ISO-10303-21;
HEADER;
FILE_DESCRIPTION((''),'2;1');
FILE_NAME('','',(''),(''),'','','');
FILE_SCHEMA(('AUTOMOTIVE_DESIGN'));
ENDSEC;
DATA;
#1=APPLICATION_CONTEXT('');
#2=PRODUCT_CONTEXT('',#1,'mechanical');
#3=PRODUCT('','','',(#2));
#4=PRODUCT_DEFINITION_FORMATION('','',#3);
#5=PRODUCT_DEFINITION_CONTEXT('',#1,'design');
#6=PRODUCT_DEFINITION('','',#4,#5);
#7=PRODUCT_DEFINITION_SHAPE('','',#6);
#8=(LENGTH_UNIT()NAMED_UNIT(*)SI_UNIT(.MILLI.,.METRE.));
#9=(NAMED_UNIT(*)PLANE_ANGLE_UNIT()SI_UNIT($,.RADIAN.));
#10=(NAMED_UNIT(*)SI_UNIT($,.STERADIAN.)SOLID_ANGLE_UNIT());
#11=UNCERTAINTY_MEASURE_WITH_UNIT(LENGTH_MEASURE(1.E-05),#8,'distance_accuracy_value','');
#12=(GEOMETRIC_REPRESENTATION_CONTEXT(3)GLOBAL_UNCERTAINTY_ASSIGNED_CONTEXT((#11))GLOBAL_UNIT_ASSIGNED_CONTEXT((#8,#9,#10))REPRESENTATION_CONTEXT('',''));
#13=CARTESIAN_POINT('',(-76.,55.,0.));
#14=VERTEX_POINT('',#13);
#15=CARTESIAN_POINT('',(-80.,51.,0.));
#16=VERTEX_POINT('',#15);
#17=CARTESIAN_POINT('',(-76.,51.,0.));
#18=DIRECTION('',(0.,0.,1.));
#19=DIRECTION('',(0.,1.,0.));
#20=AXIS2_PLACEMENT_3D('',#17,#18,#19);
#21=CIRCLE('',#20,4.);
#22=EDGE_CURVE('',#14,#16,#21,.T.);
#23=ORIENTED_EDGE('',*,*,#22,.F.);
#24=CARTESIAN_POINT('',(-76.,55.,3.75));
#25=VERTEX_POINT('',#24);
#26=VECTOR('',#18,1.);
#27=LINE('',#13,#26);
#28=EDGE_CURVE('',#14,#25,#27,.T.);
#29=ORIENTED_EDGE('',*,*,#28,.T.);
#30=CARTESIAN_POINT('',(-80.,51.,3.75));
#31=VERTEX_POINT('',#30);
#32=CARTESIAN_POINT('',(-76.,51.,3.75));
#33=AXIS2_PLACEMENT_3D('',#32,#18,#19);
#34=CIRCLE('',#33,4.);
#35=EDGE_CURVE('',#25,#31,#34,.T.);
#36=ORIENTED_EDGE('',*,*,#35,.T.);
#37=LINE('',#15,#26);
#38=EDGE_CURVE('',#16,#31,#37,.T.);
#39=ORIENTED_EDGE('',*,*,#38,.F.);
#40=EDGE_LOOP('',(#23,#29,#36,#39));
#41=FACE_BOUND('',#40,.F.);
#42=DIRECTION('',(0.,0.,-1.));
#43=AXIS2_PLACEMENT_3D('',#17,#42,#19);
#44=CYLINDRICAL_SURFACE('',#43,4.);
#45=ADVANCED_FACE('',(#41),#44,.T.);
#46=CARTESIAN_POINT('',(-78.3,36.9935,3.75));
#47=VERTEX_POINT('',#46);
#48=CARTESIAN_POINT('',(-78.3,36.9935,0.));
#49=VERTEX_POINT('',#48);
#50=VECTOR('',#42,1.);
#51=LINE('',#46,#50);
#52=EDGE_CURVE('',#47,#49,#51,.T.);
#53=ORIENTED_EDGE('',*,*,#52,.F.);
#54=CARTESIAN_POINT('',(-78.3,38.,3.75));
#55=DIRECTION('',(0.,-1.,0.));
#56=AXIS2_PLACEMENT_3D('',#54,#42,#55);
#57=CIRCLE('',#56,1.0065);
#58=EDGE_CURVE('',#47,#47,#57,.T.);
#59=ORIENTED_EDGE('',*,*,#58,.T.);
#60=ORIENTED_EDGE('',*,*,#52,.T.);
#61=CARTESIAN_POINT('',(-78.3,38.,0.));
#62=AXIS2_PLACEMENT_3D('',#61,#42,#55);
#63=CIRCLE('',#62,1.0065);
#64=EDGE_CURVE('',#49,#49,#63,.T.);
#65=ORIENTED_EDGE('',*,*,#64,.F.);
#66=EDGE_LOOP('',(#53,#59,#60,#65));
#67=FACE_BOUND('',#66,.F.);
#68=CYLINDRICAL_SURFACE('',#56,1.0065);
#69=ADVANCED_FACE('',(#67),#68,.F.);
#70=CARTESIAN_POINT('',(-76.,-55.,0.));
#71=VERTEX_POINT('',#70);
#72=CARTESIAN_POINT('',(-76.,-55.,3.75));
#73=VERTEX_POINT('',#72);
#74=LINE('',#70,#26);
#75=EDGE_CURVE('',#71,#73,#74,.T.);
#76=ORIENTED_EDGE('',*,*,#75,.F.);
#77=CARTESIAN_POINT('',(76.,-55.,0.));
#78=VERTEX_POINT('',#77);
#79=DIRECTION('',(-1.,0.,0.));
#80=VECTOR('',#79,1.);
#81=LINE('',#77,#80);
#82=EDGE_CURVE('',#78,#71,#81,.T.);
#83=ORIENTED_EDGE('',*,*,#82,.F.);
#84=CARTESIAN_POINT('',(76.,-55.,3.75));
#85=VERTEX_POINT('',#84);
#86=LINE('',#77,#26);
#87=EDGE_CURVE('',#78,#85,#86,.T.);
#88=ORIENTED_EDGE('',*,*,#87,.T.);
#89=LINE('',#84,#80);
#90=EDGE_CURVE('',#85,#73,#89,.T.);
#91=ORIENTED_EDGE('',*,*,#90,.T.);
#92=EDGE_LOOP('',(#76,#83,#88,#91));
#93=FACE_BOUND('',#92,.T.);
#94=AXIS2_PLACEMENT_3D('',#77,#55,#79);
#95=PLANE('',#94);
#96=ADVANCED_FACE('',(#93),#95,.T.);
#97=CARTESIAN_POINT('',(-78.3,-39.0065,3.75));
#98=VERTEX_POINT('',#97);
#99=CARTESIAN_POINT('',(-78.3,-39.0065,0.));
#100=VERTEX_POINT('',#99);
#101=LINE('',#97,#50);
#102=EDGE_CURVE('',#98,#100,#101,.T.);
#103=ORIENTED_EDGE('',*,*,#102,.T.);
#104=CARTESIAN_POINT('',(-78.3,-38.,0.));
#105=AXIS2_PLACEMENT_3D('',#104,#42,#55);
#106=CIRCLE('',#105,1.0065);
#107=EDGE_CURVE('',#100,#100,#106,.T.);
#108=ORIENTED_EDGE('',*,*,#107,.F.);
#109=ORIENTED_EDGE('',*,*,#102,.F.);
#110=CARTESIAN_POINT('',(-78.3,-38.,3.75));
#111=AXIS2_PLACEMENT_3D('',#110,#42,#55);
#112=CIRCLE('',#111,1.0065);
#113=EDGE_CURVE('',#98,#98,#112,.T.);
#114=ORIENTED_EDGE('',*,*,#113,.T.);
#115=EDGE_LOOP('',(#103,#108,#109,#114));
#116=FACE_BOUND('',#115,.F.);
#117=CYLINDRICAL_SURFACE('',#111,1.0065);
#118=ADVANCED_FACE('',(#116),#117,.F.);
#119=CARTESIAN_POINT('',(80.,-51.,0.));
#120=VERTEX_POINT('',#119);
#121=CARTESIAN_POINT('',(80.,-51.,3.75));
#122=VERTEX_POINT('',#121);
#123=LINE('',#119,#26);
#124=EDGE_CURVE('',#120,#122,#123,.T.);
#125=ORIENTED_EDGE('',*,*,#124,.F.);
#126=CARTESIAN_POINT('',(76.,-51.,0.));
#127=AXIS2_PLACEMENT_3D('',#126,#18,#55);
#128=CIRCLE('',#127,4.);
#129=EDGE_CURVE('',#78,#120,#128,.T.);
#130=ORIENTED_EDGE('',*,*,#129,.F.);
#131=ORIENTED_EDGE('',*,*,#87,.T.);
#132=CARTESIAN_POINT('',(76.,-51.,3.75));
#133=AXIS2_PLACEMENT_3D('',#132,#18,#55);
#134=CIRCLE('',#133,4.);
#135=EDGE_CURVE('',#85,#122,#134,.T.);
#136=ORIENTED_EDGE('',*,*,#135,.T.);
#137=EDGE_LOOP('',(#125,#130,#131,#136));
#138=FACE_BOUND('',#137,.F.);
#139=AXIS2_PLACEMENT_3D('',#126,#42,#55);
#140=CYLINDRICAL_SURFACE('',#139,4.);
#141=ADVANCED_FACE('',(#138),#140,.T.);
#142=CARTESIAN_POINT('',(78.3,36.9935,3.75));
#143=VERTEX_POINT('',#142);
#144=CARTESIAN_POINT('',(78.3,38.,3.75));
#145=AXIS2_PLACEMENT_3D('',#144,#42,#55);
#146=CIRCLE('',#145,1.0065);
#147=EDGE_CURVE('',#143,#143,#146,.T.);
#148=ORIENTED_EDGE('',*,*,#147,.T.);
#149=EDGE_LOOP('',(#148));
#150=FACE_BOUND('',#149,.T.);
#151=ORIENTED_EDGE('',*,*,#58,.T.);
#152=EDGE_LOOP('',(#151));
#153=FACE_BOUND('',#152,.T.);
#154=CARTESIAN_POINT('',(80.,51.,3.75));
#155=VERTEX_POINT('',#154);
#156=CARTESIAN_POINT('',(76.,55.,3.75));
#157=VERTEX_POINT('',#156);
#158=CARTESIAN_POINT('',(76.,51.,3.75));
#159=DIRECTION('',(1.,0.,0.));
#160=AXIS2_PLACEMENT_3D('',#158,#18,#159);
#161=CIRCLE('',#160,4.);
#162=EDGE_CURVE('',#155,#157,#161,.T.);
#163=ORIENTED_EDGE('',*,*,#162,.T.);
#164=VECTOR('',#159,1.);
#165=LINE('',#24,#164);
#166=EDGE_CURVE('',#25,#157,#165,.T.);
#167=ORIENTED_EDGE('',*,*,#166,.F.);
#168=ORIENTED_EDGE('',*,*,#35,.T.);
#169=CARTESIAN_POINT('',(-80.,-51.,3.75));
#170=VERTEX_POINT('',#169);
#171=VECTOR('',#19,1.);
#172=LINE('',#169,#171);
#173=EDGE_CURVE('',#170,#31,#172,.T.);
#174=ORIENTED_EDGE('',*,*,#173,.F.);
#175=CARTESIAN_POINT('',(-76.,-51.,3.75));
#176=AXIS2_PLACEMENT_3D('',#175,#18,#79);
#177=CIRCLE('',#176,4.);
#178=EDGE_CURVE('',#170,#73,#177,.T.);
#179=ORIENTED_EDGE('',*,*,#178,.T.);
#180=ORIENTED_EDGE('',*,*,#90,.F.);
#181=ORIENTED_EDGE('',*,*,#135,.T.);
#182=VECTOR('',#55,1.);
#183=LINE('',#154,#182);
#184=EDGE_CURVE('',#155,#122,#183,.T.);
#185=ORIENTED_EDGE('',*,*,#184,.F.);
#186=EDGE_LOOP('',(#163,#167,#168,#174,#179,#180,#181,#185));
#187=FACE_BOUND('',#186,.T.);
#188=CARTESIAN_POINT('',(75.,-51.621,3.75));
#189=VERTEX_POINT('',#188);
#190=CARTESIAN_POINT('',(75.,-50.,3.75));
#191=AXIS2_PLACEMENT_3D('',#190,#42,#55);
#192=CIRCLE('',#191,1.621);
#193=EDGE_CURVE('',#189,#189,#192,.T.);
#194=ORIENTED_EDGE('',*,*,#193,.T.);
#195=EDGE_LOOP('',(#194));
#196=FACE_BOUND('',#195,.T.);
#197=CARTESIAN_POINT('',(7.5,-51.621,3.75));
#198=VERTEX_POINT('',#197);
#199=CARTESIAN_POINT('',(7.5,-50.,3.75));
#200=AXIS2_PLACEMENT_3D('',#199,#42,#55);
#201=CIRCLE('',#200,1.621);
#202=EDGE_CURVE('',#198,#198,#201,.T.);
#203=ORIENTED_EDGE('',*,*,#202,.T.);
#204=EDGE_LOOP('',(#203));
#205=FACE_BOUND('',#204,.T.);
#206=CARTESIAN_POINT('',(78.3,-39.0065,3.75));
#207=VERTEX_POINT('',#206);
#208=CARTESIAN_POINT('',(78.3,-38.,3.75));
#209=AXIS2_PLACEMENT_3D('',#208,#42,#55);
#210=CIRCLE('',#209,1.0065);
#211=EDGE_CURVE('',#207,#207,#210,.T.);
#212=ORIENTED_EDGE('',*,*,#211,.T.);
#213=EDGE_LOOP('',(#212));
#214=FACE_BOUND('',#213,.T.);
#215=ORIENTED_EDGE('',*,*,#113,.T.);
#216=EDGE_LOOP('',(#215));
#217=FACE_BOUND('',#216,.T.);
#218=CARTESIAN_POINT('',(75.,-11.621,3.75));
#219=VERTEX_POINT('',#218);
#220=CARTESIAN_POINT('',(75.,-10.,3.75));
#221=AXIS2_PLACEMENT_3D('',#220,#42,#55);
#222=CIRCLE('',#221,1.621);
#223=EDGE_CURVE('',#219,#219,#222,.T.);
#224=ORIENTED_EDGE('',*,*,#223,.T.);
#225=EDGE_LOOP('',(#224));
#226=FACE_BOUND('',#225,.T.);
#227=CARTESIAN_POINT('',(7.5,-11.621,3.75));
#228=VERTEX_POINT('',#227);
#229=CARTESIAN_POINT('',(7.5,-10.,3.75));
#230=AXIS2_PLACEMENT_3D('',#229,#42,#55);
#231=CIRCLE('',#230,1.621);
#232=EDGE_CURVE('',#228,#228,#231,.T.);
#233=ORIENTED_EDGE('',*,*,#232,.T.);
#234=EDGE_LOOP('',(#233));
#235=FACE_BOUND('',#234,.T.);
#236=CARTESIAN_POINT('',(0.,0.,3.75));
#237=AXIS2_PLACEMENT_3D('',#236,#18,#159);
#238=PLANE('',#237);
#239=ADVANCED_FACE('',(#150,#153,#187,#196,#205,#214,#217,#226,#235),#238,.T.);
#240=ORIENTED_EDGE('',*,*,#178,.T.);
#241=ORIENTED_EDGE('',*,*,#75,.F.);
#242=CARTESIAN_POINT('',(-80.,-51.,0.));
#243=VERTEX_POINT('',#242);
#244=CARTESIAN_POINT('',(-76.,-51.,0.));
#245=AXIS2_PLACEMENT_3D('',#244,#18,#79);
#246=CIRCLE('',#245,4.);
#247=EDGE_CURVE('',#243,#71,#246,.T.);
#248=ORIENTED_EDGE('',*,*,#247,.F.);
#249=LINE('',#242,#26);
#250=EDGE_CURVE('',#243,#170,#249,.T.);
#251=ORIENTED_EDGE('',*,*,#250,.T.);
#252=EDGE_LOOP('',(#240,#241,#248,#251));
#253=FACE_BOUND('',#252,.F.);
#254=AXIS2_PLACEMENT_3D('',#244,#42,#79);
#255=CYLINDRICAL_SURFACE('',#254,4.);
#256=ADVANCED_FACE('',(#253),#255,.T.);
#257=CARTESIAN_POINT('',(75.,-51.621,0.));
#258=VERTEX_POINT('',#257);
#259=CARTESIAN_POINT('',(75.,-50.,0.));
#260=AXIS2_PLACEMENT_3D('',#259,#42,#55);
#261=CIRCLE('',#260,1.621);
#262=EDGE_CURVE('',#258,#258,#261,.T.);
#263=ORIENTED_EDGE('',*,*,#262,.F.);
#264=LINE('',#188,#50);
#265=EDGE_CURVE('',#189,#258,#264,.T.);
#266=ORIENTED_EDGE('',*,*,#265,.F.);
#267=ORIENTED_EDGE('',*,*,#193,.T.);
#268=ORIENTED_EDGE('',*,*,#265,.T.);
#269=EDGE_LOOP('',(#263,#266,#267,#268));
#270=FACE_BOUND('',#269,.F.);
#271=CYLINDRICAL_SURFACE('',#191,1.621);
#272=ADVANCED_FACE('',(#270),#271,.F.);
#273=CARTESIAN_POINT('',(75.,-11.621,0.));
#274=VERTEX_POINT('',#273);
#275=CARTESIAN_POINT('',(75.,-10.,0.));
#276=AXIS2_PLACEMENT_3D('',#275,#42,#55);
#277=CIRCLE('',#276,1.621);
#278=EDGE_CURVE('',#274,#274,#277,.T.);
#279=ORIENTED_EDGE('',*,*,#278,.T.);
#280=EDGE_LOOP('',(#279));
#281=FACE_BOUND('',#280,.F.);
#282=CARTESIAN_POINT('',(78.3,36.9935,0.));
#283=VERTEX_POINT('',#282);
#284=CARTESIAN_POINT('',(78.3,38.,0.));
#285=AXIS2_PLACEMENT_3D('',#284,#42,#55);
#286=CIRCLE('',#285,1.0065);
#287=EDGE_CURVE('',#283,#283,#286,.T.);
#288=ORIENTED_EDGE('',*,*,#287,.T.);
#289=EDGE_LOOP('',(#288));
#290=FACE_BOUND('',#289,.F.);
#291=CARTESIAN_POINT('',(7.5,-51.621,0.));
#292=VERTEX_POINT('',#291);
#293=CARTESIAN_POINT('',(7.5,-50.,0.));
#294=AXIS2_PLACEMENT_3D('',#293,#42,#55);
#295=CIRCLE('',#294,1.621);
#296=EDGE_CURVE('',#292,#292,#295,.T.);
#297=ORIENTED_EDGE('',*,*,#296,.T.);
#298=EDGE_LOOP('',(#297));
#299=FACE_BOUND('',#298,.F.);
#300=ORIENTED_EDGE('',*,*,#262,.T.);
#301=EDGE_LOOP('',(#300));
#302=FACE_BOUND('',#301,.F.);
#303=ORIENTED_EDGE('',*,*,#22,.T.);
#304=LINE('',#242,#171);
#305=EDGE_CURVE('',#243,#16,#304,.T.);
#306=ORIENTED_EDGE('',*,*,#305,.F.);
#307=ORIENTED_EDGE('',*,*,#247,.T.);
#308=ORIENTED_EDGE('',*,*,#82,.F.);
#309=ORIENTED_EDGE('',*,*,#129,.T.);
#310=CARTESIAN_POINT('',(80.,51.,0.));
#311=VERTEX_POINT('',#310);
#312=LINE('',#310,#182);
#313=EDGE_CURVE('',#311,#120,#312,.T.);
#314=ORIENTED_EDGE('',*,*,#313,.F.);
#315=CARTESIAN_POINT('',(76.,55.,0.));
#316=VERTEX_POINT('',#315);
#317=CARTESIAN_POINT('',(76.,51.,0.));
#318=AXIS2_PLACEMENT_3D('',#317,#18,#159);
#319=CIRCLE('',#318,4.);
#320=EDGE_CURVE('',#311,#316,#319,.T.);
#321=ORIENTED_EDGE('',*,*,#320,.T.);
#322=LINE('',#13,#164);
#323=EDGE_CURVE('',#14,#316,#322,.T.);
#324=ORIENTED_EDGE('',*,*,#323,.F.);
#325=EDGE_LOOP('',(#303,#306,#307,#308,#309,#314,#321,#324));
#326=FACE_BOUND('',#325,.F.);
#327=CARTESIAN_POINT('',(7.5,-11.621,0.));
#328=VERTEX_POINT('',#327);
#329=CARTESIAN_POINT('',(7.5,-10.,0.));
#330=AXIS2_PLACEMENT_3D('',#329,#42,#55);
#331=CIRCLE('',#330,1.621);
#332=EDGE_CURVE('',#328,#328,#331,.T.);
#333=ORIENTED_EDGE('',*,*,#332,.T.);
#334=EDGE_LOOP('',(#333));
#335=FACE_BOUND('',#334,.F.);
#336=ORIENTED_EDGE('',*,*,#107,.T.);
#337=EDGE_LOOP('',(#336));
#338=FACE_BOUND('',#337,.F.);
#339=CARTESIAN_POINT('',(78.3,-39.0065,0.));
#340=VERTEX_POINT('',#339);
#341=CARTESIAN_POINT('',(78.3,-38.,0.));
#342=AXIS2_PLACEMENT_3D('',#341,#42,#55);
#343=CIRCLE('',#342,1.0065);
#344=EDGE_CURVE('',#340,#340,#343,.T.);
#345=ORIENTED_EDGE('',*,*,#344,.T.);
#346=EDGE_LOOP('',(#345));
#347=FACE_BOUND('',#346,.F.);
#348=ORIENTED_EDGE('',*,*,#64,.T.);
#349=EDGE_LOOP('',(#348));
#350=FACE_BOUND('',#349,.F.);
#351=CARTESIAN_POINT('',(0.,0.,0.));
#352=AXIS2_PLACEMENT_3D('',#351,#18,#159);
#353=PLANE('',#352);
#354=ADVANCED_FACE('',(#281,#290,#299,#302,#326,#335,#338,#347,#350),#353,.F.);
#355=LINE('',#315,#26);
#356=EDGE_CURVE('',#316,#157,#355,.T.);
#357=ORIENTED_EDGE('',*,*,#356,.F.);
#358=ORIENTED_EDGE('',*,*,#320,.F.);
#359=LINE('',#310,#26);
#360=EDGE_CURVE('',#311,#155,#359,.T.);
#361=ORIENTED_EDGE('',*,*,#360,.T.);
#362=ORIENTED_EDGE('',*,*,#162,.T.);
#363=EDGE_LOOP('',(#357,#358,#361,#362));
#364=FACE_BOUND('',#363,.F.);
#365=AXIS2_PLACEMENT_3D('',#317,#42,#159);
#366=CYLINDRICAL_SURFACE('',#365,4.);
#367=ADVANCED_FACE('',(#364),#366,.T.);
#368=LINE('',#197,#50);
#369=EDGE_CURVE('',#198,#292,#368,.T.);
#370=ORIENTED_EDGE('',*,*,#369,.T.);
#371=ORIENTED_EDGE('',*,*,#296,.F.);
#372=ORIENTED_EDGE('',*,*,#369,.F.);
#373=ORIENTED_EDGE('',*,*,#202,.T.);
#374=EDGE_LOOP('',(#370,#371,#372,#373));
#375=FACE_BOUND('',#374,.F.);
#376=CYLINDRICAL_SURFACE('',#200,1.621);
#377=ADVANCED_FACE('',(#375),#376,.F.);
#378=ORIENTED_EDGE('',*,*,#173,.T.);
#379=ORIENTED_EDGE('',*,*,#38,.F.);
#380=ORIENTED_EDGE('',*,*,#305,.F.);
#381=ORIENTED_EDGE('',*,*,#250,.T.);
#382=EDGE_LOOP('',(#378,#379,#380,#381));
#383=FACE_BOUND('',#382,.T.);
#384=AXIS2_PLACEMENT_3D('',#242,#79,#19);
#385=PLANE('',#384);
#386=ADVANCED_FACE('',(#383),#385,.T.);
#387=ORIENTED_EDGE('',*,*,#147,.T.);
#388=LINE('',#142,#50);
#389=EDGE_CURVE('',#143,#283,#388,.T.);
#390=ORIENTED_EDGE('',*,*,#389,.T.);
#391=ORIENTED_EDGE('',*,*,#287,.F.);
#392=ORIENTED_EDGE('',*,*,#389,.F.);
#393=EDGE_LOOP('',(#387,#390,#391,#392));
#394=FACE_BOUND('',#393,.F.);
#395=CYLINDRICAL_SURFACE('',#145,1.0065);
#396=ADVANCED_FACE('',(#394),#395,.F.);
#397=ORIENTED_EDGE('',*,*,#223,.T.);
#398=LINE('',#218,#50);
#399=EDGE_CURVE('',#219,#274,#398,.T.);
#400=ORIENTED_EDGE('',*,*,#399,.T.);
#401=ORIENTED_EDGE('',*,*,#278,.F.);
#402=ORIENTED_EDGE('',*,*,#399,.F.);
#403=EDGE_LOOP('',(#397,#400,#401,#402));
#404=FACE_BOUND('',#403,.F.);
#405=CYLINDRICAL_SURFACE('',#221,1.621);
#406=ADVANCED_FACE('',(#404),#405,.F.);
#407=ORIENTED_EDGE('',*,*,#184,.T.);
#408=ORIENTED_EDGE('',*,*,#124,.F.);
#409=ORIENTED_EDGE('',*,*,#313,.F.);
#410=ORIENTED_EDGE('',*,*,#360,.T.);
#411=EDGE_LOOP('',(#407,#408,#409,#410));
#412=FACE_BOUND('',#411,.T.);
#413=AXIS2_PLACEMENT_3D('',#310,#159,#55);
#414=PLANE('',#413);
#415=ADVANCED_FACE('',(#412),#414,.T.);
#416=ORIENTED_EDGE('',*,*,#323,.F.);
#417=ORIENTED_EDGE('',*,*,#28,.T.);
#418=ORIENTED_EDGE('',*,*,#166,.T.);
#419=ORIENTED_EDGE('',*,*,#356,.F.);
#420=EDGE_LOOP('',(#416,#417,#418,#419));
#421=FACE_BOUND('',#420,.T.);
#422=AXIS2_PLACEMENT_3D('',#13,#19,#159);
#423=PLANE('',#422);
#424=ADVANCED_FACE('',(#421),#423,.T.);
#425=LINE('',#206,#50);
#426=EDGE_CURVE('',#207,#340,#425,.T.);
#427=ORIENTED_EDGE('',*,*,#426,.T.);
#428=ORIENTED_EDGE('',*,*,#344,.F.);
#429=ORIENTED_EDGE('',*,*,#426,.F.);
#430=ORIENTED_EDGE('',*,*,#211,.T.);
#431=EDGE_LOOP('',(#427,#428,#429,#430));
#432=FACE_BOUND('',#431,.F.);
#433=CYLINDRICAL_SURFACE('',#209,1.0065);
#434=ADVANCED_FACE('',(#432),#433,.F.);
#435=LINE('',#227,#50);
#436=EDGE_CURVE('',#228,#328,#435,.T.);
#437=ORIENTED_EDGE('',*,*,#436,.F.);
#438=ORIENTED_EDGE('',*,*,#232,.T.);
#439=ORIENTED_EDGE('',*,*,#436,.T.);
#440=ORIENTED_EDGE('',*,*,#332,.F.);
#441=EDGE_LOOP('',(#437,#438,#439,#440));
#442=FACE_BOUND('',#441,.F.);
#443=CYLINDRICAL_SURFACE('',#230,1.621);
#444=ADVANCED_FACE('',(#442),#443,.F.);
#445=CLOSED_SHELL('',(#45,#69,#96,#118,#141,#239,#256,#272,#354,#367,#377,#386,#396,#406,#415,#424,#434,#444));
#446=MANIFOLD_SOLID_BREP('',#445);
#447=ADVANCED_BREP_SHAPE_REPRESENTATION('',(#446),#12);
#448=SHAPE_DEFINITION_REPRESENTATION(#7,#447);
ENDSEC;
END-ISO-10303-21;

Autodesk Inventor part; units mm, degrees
ref_plane "YZ Plane" through (0, 0, 0) normal (1, 0, 0) x (0, 1, 0)
ref_plane "XZ Plane" through (0, 0, 0) normal (0, 1, 0) x (-1, 0, 0)
ref_plane "XY Plane" through (0, 0, 0) normal (0, 0, 1) x (1, 0, 0)
sketch "Sketch1" plane through (0, 0, 0) normal (0, 0, 1) x (1, 0, 0)
  line L0 (-76, 55) -> (76, 55)
  line L1 (80, 51) -> (80, -51)
  line L2 (76, -55) -> (-76, -55)
  line L3 (-80, -51) -> (-80, 51)
  arc A0 (80, 51) -> (76, 55) centre (76, 51) ccw
  arc A1 (76, -55) -> (80, -51) centre (76, -51) ccw
  arc A2 (-76, 55) -> (-80, 51) centre (-76, 51) ccw
  arc A3 (-80, -51) -> (-76, -55) centre (-76, -51) ccw
  point P0 (0, 0)
  point P1 (-80, 55)
  point P2 (80, -55)
  point P3 (80, 55)
  dimension "d0" = 160
  dimension "d1" = 110
  dimension "d2" = 55
  dimension "d3" = 80
  dimension "d4" = 4
extrude "Extrusion1" add sketch "Sketch1" along normal blind 3.75
sketch "Sketch2" plane through (0, 0, 3.75) normal (0, 0, 1) x (1, 0, 0)
  point P0 (0, 0)
  point P1 (-78.3, 38)
  point P2 (78.3, 38)
  point P3 (78.3, -38)
  point P4 (-78.3, -38)
  dimension "d7" = 156.6
  dimension "d8" = 76
  dimension "d9" = 38
  dimension "d10" = 78.3
hole "Hole1" at (-78.3, 38, 3.75) at (78.3, 38, 3.75) at (78.3, -38, 3.75) at (-78.3, -38, 3.75) direction (0, 0, -1) diameter 2.013 end through all thread size "M2.5x0.45" class "6H" standard "ISO Metric profile"
sketch "Sketch3" plane through (0, 0, 3.75) normal (0, 0, 1) x (1, 0, 0)
  line L0 (-76, -55) -> (76, -55) projected
  line L1 (80, -51) -> (80, 51) projected
  point P0 (0, 0)
  point P1 (7.5, -50)
  point P2 (7.5, -10)
  point P3 (75, -10)
  point P4 (75, -50)
  dimension "d18" = 40
  dimension "d19" = 67.5
  dimension "d20" = 5
  dimension "d21" = 5
hole "Hole2" at (7.5, -50, 3.75) at (7.5, -10, 3.75) at (75, -10, 3.75) at (75, -50, 3.75) direction (0, 0, -1) diameter 3.242 end through all thread size "M4x0.7" class "6H" standard "ISO Metric profile"
equation "\"d2\" = 0.5 * d1"
equation "\"d3\" = 0.5 * d0"
equation "\"d9\" = 0.5 * d8"
equation "\"d10\" = 0.5 * d7"
properties part number "sampleHolderBase_v1"
